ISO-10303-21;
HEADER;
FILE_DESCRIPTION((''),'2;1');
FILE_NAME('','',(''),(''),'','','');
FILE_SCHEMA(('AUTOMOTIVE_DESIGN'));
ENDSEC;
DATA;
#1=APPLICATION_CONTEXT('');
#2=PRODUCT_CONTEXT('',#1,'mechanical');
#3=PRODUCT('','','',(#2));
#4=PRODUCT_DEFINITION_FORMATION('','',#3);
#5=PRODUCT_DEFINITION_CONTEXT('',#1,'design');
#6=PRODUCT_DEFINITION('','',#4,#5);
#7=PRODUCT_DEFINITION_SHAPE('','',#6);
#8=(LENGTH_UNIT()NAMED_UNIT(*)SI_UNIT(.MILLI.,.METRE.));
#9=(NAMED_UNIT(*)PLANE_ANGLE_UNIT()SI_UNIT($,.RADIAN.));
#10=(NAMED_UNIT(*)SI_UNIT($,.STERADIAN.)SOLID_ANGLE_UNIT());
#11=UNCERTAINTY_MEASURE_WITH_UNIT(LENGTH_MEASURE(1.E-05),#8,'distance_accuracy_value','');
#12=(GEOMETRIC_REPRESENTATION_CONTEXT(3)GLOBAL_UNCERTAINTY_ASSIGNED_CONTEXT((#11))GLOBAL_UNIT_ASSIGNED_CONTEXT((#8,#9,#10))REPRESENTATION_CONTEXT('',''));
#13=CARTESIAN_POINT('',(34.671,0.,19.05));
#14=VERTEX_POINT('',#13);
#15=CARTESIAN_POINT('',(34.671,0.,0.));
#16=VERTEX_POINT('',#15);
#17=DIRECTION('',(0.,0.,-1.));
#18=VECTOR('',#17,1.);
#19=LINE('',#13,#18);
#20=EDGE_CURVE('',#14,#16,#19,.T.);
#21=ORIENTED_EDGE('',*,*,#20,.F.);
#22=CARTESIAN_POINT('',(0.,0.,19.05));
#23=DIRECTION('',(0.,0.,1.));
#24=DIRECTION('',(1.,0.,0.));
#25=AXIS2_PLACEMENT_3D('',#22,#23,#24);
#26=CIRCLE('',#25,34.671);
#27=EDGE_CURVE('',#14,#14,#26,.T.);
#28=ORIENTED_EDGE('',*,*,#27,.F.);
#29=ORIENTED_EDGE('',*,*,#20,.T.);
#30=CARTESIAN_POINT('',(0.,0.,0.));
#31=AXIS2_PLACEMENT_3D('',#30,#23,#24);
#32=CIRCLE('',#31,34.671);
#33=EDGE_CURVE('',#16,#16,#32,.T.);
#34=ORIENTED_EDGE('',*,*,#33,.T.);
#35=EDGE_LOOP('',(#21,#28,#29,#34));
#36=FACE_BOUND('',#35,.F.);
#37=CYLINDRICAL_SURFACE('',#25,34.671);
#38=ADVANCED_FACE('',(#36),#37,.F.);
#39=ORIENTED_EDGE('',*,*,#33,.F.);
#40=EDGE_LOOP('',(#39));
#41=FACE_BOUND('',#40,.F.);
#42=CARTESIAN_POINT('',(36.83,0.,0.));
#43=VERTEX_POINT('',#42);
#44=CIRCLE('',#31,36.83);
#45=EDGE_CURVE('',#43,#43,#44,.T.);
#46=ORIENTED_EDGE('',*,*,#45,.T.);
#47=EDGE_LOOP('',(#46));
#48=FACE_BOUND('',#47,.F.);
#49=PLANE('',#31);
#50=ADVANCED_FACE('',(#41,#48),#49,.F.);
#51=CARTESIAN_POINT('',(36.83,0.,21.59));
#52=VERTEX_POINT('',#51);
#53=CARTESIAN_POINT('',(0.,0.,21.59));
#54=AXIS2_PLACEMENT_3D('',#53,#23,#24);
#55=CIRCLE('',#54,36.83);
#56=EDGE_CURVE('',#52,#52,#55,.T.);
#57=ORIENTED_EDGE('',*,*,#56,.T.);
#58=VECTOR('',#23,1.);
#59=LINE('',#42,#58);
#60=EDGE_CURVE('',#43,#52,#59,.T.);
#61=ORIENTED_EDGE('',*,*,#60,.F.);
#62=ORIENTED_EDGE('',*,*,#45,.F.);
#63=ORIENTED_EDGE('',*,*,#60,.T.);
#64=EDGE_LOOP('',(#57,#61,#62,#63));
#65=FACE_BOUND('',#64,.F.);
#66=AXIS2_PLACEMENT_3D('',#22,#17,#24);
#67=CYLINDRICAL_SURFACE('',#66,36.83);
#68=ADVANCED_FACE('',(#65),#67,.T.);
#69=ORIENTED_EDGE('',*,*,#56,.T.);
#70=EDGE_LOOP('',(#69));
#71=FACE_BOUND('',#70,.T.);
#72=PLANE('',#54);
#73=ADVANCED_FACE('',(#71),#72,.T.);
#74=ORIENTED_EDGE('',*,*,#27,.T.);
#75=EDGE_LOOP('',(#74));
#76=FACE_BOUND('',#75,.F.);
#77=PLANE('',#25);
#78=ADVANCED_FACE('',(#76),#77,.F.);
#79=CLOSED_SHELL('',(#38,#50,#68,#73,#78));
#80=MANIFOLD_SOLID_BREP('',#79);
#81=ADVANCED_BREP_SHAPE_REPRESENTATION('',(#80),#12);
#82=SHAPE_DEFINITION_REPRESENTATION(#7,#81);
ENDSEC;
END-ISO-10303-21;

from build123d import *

# Parameters (mm, degrees)
F0_R     = 36.83
F1_DEPTH = 19.05
F2_R     = 34.671
F3_DEPTH = 97.79
F4_R     = 36.83
F5_DEPTH = 2.54


with BuildPart() as f1:
    # F0 (on Top) → F1 (new body)
    with BuildSketch(Plane.XY):
        Circle(F0_R)
    extrude(amount=F1_DEPTH)

    # F2 (on face) → F3 (cut)
    with BuildSketch(Plane.XY.offset(19.05)):
        Circle(F2_R)
    extrude(amount=-F3_DEPTH, mode=Mode.SUBTRACT)

    # F4 (on face) → F5 (join)
    with BuildSketch(Plane.XY.offset(19.05)):
        Circle(F4_R)
    extrude(amount=F5_DEPTH)


solid = f1.part
